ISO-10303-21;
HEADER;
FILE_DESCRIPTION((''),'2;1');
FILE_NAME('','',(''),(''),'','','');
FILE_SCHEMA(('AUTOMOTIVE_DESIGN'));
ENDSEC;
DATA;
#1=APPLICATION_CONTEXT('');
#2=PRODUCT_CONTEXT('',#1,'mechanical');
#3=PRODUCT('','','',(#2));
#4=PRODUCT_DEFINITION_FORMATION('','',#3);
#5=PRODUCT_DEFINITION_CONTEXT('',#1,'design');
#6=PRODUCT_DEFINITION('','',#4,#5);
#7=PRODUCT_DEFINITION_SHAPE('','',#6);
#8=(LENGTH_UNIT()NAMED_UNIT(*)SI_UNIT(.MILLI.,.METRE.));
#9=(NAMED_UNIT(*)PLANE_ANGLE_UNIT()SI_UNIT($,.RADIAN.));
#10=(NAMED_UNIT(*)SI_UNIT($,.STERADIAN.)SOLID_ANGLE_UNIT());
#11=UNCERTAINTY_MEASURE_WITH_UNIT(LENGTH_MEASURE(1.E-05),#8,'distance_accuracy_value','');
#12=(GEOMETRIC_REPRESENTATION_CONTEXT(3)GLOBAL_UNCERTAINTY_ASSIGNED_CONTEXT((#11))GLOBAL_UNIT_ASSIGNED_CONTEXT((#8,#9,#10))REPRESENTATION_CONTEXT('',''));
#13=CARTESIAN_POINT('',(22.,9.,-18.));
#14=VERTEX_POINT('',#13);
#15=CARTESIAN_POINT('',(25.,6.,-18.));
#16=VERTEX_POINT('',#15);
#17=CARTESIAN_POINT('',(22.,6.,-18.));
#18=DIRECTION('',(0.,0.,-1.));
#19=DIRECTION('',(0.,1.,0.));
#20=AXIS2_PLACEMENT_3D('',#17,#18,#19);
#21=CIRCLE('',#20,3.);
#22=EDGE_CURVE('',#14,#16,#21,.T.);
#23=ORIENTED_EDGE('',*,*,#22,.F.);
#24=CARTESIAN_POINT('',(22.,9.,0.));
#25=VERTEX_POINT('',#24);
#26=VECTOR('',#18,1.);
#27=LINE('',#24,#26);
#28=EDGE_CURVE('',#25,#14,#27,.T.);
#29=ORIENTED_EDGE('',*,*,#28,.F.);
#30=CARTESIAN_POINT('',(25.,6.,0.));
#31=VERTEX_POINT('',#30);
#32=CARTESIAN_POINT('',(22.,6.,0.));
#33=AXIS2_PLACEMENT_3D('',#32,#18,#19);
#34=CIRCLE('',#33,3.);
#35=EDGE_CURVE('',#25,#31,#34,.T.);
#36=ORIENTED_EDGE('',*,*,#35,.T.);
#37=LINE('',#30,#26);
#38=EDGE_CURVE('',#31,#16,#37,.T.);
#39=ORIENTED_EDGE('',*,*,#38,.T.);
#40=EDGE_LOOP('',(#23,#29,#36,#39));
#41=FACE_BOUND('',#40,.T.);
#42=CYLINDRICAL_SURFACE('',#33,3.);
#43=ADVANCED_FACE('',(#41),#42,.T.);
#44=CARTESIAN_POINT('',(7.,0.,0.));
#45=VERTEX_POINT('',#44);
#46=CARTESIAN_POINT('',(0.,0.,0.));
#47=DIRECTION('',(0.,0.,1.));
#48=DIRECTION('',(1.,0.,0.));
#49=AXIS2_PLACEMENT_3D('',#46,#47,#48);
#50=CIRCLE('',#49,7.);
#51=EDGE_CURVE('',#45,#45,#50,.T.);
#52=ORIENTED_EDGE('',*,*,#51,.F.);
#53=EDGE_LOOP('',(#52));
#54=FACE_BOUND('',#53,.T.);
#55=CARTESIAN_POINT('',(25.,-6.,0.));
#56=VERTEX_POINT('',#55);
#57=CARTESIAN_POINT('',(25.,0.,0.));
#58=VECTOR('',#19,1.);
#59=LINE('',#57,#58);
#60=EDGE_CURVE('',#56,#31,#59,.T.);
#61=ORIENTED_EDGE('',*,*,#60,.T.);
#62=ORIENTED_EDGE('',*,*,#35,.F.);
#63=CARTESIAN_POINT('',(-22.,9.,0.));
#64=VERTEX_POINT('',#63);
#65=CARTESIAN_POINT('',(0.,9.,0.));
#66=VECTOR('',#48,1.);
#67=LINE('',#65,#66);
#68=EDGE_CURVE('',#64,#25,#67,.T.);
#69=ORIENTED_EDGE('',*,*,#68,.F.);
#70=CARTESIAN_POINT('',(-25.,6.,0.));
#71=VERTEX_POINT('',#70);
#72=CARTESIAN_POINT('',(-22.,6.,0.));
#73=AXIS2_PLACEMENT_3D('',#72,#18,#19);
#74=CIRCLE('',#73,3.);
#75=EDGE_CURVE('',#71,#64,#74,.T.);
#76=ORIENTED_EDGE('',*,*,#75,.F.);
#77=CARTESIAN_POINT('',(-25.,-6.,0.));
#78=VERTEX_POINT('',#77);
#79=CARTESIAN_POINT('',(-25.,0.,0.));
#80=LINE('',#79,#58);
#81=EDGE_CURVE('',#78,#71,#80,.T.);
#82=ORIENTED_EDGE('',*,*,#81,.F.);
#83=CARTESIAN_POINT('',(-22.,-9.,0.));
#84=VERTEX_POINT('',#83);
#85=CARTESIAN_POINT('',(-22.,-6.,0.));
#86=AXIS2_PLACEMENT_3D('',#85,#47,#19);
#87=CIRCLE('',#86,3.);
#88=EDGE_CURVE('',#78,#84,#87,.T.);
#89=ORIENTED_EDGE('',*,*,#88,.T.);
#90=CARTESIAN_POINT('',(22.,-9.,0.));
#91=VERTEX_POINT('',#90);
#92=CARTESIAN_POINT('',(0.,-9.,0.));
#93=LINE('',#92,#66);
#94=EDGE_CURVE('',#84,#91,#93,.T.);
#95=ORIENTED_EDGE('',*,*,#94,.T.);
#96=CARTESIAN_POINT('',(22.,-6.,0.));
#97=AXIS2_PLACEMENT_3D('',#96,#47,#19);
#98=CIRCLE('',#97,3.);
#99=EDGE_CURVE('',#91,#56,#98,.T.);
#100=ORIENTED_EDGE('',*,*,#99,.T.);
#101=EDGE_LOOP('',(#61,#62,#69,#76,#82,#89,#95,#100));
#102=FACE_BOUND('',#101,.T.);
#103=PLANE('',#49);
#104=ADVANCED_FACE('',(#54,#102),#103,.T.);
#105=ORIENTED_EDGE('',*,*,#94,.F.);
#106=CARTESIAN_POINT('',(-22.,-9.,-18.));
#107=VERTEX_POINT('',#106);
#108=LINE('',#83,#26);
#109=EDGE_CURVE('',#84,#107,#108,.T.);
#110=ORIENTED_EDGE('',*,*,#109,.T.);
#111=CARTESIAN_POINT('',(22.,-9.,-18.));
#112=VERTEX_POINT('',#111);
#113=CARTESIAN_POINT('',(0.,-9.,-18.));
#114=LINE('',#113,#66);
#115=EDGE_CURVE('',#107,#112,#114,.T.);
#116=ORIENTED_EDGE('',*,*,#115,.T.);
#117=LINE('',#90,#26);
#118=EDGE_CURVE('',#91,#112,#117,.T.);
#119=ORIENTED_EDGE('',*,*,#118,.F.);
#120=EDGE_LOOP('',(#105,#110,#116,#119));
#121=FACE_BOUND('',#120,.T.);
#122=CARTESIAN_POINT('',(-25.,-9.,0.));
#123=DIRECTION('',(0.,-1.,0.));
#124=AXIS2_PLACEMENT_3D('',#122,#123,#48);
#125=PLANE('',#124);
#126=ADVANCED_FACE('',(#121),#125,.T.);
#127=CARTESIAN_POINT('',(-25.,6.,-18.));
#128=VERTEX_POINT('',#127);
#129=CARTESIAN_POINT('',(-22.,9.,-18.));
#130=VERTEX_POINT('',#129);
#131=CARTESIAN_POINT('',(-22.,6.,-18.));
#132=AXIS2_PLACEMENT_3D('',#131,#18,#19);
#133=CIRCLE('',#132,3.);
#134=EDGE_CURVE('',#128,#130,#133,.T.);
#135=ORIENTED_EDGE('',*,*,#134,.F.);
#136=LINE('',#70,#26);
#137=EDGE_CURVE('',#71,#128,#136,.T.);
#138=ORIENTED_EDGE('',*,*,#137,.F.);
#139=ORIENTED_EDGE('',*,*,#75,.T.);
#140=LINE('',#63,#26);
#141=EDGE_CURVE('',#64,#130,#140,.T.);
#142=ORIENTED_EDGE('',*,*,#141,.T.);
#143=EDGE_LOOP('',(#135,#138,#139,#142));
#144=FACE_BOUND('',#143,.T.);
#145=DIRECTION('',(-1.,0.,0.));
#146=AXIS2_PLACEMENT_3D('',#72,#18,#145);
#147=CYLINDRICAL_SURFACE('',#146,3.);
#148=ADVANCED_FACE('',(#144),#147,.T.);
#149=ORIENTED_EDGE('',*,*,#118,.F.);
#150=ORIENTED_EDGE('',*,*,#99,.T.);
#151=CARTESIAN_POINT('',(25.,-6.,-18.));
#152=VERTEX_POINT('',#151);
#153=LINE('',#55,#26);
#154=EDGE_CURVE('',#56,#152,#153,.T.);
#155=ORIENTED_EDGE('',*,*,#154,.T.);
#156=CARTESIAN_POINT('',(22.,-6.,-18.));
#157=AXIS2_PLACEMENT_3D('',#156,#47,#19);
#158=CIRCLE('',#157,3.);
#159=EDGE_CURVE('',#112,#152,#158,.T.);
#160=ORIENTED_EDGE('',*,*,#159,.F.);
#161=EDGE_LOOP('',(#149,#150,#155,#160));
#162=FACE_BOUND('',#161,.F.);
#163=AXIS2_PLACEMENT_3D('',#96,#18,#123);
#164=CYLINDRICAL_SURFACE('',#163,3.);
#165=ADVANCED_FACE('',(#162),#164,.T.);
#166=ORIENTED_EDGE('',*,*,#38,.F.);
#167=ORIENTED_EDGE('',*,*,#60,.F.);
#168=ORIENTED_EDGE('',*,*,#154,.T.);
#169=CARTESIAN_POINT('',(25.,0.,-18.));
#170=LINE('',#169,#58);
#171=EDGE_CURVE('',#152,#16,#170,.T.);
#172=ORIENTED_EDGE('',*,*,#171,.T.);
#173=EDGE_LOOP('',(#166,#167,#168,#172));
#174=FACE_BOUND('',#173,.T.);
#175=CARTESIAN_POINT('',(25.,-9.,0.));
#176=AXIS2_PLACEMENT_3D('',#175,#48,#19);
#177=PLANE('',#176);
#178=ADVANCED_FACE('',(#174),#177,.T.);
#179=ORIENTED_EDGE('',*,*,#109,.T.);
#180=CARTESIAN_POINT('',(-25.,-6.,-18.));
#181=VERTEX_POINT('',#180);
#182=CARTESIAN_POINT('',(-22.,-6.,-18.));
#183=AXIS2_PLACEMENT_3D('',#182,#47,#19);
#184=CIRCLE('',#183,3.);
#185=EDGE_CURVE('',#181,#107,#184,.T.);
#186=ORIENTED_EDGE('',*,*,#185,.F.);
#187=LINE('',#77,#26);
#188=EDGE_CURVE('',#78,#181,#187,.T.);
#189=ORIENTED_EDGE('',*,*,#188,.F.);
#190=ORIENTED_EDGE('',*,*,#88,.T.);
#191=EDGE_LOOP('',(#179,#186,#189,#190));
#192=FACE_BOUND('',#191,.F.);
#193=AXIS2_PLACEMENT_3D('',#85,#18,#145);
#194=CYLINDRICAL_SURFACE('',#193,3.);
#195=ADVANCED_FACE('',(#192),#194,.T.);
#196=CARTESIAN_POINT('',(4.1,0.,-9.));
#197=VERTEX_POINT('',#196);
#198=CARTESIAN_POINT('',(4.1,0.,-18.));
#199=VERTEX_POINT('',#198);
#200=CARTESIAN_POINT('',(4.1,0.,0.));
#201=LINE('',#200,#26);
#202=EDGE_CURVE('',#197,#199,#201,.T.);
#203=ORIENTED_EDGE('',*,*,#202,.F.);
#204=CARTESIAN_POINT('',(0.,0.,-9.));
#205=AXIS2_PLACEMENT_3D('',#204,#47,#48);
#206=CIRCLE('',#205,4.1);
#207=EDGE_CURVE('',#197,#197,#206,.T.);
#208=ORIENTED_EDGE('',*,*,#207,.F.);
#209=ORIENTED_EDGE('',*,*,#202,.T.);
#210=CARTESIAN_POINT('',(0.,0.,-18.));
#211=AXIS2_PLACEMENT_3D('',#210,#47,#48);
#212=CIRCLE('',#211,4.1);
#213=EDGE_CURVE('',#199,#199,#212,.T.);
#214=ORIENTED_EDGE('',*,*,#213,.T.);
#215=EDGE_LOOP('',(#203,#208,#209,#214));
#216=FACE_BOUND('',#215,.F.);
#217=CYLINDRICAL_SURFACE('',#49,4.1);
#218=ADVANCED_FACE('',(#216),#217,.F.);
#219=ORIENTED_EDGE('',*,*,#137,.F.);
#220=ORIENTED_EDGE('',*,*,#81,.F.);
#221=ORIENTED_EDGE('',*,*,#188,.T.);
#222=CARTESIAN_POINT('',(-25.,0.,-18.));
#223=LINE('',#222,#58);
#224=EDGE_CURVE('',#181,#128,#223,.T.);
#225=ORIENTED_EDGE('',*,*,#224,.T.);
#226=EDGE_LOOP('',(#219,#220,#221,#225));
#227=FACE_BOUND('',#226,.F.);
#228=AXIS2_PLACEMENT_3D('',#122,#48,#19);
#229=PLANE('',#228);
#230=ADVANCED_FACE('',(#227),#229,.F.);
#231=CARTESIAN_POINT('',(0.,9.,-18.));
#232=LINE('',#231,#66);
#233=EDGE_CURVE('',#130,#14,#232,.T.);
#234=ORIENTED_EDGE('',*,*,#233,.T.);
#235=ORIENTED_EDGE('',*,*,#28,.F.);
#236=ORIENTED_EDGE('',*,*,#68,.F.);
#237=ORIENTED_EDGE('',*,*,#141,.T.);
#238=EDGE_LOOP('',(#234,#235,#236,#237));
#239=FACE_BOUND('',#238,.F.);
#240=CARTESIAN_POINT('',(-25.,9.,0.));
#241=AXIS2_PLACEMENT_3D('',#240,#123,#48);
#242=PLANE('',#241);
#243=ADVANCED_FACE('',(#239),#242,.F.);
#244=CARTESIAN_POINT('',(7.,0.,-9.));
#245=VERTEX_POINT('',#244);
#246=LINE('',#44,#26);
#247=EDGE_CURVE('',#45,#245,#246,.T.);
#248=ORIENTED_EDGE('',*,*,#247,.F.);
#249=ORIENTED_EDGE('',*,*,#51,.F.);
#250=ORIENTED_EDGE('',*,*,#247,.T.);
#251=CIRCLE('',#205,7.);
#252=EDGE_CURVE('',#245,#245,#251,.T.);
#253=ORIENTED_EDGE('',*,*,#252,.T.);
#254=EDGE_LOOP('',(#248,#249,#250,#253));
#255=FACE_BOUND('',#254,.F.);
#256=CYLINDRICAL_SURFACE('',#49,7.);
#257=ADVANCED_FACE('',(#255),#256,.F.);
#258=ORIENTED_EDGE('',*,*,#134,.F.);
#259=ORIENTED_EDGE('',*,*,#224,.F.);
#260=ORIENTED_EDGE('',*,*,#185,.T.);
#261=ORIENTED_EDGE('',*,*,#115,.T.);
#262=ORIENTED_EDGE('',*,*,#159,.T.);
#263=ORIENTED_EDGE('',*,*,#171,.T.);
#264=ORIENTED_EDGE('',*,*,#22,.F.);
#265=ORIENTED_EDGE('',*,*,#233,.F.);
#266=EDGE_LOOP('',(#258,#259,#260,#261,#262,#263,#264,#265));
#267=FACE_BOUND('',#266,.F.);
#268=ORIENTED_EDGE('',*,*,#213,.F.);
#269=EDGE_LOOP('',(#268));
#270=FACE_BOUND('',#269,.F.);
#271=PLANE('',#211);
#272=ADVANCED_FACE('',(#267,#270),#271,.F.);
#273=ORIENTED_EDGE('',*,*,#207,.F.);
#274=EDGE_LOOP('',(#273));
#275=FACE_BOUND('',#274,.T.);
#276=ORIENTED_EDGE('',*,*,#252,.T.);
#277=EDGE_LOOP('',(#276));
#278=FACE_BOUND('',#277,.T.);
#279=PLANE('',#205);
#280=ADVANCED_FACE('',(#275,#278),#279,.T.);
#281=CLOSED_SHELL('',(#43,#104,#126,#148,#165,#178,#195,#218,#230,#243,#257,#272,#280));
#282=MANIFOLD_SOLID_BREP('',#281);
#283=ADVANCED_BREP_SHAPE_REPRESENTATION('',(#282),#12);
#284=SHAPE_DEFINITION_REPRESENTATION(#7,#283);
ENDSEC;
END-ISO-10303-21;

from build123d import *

# Parameters (mm, degrees)
SKETCH_W     = 50
SKETCH_H     = 18
SKETCH_R     = 4.1
PAD001_DEPTH = 18
FILLET_R     = 3
SKETCH003_R  = 7
POCKET_DEPTH = 9


with BuildPart() as part:
    # Sketch → Pad001 (new body)
    with BuildSketch(Plane.XY):
        Rectangle(SKETCH_W, SKETCH_H)
        Circle(SKETCH_R, mode=Mode.SUBTRACT)
    extrude(amount=-PAD001_DEPTH)

    # Fillet
    fillet_edges = [part.edges().sort_by_distance(p)[0] for p in [
        (25, -9, -9),
        (25, 9, -9),
        (-25, 9, -9),
        (-25, -9, -9),
    ]]
    fillet(fillet_edges, radius=FILLET_R)

    # Sketch003 (on Face2 of Fillet) → Pocket (cut)
    with BuildSketch(Plane.XY):
        Circle(SKETCH003_R)
    extrude(amount=-POCKET_DEPTH, mode=Mode.SUBTRACT)


solid = part.part
